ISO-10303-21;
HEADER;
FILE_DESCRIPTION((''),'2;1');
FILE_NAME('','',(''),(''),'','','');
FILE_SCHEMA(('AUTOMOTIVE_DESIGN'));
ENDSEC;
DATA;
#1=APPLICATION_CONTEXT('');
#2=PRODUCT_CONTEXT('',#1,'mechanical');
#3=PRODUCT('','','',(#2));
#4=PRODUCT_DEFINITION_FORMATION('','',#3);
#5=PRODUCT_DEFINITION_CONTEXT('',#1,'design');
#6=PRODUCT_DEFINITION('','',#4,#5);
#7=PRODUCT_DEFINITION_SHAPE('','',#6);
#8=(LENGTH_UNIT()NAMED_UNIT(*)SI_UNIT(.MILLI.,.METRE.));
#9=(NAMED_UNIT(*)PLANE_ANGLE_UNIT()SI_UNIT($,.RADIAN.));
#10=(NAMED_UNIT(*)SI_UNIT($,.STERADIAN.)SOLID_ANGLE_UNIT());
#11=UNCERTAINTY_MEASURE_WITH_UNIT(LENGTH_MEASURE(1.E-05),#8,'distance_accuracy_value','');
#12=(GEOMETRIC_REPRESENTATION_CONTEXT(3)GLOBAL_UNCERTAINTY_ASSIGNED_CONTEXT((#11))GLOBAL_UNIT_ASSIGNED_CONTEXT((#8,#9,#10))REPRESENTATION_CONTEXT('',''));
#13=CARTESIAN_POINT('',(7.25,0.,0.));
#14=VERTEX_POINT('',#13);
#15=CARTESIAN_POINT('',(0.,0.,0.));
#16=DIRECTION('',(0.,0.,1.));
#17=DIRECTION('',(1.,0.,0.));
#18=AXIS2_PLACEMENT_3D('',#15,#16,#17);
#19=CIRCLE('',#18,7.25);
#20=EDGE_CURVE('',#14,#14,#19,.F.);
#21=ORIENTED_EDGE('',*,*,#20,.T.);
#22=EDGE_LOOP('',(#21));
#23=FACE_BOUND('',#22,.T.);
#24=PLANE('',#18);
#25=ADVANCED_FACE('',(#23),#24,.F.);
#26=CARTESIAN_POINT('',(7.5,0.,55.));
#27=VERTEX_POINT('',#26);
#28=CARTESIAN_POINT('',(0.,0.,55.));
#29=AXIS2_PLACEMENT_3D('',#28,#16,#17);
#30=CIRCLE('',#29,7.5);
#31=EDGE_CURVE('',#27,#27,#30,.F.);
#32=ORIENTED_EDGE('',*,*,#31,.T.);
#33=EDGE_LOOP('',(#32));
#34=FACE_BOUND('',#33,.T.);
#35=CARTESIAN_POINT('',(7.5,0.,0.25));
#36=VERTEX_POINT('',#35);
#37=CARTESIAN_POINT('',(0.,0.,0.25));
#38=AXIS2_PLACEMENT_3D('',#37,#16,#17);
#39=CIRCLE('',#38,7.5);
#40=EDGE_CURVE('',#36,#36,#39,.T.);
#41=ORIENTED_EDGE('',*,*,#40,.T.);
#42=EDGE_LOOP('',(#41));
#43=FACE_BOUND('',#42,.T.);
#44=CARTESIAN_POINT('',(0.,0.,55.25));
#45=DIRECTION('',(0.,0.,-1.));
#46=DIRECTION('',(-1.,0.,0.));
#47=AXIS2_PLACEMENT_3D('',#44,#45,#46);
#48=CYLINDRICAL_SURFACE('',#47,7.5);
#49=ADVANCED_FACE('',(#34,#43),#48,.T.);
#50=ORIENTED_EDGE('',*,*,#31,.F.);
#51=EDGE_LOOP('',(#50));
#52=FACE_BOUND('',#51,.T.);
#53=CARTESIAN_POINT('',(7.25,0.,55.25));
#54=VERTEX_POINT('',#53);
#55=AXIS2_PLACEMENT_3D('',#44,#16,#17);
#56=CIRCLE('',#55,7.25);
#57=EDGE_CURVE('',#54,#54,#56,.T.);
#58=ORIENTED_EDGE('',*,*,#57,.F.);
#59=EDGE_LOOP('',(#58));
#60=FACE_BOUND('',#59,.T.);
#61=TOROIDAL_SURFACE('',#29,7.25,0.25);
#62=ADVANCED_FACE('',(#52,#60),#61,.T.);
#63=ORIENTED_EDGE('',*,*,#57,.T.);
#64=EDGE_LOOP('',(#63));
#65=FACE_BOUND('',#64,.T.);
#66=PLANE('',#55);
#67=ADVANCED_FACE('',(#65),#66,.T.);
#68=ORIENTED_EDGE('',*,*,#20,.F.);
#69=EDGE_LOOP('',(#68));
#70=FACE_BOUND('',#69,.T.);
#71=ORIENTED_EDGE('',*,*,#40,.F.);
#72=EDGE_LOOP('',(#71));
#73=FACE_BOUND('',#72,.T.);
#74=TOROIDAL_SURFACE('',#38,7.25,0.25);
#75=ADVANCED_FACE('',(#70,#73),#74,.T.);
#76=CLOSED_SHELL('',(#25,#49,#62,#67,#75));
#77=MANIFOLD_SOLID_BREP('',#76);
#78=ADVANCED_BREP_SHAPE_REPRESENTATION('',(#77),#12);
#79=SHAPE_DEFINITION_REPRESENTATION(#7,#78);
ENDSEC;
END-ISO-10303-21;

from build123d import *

# Parameters (mm, degrees)
SKETCH1_R           = 7.5
BOSS_EXTRUDE1_DEPTH = 55.25
FILLET1_R           = 0.25


with BuildPart() as part:
    # Sketch1 → Boss-Extrude1 (new body)
    with BuildSketch(Plane.XY):
        Circle(SKETCH1_R)
    extrude(amount=BOSS_EXTRUDE1_DEPTH)

    # Fillet1
    fillet1_edges = [part.edges().sort_by_distance(p)[0] for p in [
        (-7.5, 0, 0),
        (-7.5, 0, 55.25),
    ]]
    fillet(fillet1_edges, radius=FILLET1_R)


solid = part.part
